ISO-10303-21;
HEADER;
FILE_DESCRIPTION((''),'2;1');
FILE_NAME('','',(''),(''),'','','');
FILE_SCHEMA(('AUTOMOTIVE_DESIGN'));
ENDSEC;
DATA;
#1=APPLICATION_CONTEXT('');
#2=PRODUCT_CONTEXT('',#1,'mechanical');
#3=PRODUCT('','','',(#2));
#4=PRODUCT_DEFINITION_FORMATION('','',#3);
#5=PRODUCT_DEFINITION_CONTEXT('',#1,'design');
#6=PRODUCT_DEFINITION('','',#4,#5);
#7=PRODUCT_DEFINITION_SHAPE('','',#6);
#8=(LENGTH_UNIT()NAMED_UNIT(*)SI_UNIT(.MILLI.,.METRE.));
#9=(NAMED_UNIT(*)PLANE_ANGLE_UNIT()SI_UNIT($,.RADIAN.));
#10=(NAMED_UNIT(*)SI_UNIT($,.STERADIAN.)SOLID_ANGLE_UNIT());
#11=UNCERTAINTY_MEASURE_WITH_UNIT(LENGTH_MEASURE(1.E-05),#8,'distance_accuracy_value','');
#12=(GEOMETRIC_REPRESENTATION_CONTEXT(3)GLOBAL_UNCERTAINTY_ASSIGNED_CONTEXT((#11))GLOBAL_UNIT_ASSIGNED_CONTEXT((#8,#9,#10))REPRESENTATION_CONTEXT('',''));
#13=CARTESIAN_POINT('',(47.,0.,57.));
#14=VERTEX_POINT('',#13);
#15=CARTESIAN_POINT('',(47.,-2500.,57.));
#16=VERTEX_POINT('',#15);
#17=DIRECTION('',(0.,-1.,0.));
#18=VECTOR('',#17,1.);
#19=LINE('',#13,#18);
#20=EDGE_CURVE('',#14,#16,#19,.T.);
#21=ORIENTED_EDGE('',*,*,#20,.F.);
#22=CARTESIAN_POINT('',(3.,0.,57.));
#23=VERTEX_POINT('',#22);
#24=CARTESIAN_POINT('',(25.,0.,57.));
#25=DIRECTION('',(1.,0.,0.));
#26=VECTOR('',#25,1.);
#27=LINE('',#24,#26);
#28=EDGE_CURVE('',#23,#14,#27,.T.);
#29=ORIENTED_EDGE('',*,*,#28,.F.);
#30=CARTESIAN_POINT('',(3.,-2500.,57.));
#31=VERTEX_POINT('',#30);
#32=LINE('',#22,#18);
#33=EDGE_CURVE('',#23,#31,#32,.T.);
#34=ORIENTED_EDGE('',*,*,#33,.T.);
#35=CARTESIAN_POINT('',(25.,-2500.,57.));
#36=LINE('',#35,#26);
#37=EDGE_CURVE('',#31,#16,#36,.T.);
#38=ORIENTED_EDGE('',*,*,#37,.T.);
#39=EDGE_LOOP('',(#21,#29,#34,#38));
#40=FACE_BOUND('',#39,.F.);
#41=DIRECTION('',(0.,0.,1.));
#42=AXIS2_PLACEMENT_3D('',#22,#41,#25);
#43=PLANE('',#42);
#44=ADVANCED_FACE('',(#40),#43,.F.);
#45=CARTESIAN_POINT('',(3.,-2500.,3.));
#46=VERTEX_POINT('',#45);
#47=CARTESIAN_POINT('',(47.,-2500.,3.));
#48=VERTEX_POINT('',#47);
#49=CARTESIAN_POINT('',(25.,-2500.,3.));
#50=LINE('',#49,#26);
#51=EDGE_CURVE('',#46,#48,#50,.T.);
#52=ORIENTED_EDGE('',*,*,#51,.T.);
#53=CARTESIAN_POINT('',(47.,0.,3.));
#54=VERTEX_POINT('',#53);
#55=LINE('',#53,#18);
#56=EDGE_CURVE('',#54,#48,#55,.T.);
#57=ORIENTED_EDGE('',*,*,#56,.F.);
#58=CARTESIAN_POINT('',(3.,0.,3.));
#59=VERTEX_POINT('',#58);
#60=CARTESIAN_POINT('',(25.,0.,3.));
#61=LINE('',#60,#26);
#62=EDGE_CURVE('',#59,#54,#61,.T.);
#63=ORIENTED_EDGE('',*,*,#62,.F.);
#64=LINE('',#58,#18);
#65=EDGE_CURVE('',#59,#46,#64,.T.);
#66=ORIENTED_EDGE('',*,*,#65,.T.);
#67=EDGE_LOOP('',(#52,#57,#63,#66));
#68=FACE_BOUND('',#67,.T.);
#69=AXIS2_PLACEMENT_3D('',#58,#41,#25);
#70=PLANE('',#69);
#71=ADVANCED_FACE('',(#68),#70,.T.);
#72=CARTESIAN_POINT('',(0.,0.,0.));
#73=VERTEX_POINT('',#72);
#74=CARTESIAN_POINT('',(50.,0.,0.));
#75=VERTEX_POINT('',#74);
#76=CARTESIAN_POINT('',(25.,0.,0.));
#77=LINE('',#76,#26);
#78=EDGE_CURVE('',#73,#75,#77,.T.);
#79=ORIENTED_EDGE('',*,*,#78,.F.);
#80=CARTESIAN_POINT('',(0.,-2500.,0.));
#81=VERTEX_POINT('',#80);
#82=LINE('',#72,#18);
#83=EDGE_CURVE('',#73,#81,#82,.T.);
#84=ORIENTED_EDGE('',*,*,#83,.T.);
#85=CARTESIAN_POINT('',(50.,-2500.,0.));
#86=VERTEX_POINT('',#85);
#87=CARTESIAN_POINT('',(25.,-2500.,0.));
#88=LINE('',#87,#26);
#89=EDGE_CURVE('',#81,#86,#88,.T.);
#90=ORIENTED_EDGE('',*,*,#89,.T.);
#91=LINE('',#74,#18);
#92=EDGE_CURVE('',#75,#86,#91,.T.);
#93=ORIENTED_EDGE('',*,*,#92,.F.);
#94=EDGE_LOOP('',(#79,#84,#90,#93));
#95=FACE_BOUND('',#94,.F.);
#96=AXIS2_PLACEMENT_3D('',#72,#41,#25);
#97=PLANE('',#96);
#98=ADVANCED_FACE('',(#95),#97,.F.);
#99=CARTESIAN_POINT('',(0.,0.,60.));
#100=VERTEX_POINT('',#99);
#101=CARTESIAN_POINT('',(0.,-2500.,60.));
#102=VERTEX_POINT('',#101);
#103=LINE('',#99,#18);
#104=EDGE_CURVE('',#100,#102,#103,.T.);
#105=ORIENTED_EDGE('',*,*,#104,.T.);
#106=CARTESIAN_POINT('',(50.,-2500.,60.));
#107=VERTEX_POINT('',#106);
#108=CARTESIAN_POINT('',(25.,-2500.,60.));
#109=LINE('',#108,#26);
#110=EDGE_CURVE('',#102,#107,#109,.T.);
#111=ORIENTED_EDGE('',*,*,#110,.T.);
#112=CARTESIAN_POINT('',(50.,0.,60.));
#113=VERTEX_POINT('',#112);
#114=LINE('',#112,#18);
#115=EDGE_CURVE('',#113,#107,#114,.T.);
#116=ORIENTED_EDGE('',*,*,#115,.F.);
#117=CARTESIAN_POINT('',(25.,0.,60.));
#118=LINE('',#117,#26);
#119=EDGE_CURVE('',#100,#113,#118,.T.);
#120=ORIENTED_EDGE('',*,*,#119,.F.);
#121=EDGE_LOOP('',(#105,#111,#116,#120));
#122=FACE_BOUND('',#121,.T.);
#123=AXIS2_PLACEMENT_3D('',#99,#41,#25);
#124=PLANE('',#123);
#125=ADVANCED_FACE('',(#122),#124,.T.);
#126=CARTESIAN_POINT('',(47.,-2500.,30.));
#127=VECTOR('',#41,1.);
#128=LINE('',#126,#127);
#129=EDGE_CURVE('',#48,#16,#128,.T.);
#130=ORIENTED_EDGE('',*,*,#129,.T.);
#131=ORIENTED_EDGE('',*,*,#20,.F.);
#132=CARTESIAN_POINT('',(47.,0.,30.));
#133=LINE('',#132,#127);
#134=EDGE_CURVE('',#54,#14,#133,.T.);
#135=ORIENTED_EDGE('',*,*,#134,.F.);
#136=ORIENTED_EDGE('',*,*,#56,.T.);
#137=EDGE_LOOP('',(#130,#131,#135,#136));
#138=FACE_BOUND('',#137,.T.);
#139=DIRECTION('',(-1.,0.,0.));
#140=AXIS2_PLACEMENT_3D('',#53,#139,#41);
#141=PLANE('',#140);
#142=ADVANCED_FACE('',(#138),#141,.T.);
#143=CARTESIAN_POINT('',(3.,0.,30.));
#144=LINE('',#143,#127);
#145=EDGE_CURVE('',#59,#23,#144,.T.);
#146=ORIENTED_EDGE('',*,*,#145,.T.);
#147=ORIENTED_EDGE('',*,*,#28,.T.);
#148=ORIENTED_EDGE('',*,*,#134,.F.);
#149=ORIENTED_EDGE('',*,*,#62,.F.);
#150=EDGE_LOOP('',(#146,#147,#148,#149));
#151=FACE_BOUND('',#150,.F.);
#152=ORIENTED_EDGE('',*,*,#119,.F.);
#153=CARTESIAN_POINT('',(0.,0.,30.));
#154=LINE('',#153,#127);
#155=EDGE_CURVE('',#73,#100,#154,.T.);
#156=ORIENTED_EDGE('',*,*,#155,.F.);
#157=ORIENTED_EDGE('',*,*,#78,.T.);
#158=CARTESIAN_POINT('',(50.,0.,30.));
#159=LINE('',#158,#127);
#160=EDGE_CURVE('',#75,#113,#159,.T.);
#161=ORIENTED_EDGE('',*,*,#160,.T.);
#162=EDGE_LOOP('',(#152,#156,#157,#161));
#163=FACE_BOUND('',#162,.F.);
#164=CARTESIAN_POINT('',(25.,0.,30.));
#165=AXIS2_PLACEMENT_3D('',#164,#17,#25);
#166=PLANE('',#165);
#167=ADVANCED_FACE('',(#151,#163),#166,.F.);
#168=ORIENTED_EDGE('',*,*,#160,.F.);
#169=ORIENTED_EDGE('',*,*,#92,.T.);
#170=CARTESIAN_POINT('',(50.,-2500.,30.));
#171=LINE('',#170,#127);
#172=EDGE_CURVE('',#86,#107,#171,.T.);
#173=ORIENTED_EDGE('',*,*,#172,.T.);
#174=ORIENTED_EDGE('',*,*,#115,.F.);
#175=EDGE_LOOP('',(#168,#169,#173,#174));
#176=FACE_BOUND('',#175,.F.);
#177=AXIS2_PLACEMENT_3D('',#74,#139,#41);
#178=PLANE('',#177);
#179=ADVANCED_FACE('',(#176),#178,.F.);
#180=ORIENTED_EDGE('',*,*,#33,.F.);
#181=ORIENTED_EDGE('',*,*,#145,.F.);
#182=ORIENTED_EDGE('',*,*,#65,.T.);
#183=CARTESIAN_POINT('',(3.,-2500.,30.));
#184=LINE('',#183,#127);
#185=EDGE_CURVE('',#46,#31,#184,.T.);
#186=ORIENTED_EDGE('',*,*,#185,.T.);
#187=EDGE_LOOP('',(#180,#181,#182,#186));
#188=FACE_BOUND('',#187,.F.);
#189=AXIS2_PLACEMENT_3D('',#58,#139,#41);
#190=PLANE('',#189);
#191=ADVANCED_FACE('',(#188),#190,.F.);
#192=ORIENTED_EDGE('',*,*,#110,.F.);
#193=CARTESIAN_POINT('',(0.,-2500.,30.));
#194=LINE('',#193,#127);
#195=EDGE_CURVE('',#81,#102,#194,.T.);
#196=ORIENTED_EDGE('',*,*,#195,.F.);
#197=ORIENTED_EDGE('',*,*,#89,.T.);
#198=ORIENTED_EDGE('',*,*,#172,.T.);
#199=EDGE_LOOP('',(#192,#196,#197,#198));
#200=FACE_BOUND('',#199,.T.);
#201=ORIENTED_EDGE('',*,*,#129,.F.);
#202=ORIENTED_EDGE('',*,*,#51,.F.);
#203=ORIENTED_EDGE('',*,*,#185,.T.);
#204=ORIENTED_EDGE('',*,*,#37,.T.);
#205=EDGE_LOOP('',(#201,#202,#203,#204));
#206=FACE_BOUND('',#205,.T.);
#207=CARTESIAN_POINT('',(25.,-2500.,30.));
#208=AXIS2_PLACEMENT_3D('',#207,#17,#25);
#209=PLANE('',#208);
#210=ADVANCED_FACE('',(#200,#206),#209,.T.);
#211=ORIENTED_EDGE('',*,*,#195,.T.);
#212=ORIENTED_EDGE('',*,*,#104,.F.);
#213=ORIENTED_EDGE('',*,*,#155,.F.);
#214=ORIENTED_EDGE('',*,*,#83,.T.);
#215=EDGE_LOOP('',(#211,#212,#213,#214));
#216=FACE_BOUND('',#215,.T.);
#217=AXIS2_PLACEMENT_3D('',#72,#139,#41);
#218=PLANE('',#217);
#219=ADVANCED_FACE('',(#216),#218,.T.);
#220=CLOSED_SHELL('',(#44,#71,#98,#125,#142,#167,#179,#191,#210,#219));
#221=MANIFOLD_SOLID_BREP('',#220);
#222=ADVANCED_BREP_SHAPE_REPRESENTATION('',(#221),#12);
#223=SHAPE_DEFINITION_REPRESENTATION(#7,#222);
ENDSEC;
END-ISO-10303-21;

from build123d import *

# Parameters (mm, degrees)
SKETCH_W   = 50
SKETCH_H   = 60
SKETCH_W_2 = 44
SKETCH_H_2 = 54
PAD_DEPTH  = 2500


with BuildPart() as part:
    # Sketch → Pad (new body)
    with BuildSketch(Plane.XZ):
        with Locations((25, 30)):
            Rectangle(SKETCH_W, SKETCH_H)
        with Locations((25, 30)):
            Rectangle(SKETCH_W_2, SKETCH_H_2, mode=Mode.SUBTRACT)
    extrude(amount=PAD_DEPTH)


solid = part.part
